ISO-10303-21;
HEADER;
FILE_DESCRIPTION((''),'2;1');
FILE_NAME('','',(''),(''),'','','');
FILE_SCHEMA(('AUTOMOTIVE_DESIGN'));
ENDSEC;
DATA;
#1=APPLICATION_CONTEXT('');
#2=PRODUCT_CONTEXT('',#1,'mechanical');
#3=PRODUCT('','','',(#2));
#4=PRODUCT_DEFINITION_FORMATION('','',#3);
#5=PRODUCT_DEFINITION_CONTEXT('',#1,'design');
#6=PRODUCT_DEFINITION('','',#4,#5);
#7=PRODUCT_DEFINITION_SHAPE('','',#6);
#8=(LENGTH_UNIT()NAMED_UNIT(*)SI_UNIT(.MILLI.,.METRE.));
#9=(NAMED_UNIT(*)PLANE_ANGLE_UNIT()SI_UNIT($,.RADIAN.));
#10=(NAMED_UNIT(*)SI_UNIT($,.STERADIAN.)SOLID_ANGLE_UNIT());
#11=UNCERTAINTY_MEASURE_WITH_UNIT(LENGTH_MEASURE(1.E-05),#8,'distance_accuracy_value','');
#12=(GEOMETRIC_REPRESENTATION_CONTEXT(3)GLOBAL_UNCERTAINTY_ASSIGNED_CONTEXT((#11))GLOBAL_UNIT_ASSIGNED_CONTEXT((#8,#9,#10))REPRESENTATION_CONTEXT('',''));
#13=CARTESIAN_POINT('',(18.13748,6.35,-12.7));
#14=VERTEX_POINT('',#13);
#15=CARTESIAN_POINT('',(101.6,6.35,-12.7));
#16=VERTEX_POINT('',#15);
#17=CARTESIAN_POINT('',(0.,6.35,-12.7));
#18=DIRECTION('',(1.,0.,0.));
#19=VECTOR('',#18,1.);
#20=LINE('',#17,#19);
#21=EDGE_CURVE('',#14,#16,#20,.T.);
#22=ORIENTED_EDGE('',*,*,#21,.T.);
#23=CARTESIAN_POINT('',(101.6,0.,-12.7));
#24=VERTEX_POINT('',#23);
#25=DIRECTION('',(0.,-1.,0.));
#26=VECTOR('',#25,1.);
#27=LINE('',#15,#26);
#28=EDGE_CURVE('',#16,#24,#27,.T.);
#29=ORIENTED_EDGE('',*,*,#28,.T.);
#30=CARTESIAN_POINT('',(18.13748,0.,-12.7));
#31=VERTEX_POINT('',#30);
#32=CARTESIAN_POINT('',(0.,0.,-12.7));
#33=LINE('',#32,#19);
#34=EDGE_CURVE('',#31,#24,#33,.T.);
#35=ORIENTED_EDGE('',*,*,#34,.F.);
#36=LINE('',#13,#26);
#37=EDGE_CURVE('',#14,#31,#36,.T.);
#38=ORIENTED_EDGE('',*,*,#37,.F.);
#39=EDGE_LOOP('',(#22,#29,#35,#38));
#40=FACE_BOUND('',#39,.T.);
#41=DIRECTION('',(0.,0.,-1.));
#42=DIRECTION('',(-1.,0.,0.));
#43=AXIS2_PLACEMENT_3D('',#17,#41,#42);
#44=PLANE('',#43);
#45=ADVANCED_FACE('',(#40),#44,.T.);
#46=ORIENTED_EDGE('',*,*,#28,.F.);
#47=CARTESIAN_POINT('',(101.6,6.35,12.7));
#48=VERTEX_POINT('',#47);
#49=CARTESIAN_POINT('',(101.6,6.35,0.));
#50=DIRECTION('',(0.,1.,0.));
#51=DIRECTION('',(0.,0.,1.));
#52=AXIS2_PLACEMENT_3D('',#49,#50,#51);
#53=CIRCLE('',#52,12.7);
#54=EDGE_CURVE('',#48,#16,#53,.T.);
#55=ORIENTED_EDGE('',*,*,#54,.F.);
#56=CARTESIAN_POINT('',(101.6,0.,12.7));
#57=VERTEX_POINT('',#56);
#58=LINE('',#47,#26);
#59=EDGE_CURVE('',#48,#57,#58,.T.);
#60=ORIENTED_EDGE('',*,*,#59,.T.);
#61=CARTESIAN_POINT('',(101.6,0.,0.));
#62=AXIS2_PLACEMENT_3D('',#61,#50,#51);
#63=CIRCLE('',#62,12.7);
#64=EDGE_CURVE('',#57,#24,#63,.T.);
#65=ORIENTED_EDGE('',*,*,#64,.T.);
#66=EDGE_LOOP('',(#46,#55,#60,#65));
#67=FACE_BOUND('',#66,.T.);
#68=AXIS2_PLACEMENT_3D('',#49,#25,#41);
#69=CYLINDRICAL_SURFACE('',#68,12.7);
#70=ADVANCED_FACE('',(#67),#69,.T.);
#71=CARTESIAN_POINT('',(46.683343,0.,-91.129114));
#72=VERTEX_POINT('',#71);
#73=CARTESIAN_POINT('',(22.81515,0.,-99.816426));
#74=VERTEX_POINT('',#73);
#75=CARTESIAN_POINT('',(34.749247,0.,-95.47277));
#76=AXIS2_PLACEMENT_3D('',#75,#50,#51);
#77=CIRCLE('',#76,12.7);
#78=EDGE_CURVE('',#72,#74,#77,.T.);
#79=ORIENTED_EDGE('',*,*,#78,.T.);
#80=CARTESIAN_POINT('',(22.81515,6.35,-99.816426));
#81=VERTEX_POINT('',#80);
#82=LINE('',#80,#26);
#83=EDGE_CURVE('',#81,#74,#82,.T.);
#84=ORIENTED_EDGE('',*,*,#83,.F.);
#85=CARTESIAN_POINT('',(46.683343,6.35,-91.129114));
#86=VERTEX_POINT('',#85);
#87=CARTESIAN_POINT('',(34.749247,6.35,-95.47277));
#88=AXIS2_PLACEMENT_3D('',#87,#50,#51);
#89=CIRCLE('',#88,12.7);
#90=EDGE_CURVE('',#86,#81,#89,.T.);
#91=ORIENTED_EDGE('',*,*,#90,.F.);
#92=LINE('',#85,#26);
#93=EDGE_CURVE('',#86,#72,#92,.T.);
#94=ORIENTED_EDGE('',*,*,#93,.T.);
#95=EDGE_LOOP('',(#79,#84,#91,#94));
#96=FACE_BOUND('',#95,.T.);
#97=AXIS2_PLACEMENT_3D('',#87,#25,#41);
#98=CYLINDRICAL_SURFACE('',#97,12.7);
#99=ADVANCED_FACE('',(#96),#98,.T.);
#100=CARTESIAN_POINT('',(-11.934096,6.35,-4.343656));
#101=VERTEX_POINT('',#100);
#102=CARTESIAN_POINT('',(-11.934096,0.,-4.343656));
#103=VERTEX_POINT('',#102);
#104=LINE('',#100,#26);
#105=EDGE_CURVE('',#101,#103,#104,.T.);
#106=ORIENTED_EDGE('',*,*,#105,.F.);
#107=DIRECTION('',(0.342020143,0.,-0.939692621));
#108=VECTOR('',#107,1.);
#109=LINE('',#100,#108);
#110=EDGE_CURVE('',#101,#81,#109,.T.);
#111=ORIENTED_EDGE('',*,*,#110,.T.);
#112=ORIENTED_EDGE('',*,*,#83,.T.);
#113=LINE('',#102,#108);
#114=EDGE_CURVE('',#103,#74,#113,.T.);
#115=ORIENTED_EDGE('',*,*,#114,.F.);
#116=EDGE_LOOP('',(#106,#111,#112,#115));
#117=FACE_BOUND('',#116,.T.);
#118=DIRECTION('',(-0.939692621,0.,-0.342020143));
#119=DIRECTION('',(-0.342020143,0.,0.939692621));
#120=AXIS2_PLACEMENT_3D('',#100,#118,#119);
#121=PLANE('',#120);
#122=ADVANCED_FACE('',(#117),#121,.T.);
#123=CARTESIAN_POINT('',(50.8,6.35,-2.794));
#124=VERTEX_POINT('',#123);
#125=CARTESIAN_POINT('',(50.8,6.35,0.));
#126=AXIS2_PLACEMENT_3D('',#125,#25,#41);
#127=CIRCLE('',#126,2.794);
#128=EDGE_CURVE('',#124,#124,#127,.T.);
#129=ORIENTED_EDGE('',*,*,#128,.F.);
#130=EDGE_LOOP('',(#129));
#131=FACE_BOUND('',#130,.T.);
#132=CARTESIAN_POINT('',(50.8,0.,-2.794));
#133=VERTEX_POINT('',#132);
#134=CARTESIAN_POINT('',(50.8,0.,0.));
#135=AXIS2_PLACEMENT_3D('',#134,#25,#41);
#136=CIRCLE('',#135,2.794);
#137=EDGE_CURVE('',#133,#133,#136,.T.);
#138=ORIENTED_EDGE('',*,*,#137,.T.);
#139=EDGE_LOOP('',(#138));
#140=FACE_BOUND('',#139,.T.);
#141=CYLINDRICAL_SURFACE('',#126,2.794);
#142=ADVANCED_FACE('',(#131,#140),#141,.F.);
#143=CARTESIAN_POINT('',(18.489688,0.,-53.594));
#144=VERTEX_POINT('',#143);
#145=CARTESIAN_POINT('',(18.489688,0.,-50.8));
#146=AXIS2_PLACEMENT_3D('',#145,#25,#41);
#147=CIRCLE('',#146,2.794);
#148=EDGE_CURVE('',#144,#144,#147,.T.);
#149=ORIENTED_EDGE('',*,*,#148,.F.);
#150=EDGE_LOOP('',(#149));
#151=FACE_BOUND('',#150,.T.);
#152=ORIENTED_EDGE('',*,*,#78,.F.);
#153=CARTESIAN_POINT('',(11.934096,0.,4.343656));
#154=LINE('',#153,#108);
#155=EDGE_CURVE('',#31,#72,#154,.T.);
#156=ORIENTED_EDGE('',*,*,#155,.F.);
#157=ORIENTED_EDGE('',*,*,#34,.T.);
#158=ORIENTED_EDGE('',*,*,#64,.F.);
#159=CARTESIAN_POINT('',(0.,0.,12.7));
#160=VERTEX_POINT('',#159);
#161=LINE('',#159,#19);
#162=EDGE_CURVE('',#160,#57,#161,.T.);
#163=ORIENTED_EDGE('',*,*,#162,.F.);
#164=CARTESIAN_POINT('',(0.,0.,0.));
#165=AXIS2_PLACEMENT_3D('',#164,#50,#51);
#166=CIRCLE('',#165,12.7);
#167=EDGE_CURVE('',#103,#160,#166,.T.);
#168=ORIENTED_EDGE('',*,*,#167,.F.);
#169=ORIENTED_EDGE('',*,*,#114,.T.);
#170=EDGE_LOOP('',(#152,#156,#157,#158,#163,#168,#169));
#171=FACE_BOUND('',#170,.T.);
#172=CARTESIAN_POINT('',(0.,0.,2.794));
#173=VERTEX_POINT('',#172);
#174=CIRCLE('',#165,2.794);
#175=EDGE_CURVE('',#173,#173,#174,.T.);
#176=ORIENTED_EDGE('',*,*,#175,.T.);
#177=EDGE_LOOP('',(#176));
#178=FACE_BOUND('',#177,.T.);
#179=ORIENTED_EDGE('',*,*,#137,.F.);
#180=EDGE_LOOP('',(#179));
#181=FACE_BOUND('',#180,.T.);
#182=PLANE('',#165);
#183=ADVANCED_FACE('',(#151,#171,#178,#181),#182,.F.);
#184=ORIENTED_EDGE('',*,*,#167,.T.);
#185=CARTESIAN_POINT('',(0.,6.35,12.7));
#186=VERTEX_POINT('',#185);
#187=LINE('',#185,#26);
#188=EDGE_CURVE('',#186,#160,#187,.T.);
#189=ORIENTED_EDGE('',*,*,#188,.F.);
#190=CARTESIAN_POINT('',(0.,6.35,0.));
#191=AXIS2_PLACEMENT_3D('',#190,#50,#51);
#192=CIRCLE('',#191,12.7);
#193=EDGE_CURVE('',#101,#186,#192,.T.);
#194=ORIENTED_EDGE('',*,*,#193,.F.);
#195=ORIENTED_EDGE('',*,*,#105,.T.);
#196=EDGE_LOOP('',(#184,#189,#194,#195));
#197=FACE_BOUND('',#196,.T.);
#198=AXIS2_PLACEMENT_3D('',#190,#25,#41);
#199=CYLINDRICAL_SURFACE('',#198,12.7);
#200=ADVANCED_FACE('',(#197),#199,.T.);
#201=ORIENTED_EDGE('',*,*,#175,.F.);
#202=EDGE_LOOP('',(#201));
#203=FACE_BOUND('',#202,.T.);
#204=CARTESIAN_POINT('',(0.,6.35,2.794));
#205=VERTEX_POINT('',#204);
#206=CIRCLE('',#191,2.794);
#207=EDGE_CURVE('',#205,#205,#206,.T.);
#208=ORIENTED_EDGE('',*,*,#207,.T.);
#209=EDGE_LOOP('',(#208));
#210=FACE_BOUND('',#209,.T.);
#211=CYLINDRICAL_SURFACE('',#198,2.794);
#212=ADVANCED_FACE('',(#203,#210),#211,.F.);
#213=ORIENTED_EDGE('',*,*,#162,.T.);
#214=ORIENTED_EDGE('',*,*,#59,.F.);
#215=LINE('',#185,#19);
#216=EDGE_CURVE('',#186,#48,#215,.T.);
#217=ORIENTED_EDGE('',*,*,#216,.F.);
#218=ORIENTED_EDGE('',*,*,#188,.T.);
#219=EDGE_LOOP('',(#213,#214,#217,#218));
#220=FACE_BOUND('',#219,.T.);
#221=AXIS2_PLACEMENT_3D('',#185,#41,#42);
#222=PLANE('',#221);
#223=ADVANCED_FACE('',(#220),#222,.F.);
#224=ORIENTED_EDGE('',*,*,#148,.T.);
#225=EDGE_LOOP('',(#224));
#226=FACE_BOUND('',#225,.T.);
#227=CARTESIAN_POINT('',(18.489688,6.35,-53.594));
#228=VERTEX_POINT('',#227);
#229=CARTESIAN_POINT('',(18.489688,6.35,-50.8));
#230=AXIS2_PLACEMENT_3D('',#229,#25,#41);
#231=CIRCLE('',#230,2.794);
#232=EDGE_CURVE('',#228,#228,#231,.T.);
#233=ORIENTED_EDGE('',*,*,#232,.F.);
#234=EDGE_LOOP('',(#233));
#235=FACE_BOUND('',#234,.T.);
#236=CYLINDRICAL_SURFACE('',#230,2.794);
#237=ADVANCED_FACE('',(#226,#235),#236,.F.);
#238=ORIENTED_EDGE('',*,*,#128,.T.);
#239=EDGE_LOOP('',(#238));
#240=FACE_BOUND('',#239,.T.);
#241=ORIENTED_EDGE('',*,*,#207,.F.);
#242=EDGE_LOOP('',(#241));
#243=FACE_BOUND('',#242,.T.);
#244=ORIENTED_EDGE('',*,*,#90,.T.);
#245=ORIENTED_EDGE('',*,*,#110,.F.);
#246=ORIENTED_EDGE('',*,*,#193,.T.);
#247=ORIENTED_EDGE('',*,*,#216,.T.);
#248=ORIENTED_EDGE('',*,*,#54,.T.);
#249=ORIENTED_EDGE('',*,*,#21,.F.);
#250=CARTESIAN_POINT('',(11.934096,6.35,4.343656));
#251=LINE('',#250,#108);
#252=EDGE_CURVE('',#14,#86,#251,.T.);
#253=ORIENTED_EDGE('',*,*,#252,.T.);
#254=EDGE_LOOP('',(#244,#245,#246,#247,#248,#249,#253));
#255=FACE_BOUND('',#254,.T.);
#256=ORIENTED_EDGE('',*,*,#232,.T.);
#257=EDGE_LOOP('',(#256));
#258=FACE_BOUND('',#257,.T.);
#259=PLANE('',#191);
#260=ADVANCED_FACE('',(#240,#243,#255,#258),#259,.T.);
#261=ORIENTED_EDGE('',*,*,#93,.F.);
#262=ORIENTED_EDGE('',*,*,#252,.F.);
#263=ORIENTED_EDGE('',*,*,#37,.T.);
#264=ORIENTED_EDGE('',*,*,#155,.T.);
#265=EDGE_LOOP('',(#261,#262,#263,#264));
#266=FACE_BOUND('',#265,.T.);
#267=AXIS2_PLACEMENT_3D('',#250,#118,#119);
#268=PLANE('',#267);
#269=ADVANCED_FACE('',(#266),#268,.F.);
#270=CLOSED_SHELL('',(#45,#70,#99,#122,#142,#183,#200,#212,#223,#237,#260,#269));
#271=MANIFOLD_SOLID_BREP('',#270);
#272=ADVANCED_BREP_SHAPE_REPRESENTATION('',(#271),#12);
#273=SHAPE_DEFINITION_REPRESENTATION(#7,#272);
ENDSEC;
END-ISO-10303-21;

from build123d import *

# Parameters (mm, degrees)
SKETCH5_R            = 2.794
BOSS_EXTRUDE21_DEPTH = 6.35
SKETCH6_R            = 2.794
CUT_EXTRUDE3_DEPTH   = 6.35


with BuildPart() as part:
    # Sketch5 → Boss-Extrude21 (new body)
    # profile 1 of 3: a face of its own
    with BuildSketch(Plane(origin=(0, 0, 0), x_dir=(1, 0, 0), z_dir=(0, 1, 0))):
        with BuildLine():
            Line((101.6, 12.7), (18.137479686, 12.7))
            Line((18.137479686, 12.7), (11.934096284, -4.34365582))
            ThreePointArc((11.934096284, -4.34365582), (7.284420742, -10.403230962), (0, -12.7))
            Line((0, -12.7), (101.6, -12.7))
            ThreePointArc((101.6, -12.7), (114.3, 0), (101.6, 12.7))
        make_face()
    # profile 2 of 3: a face of its own
    with BuildSketch(Plane(origin=(0, 0, 0), x_dir=(1, 0, 0), z_dir=(0, 1, 0))):
        with BuildLine():
            ThreePointArc((-11.934096284, 4.34365582), (-7.284420742, 10.403230962), (0, 12.7))
            Line((0, 12.7), (18.137479686, 12.7))
            Line((18.137479686, 12.7), (46.683342846, 91.129114452))
            ThreePointArc((46.683342846, 91.129114452), (39.092902382, 107.406866556), (22.815150278, 99.816426092))
            Line((22.815150278, 99.816426092), (-11.934096284, 4.34365582))
        make_face()
    # profile 3 of 3: a face of its own
    with BuildSketch(Plane(origin=(0, 0, 0), x_dir=(1, 0, 0), z_dir=(0, 1, 0))):
        with BuildLine():
            Line((18.137479686, 12.7), (0, 12.7))
            ThreePointArc((0, 12.7), (-7.284420742, 10.403230962), (-11.934096284, 4.34365582))
            ThreePointArc((-11.934096284, 4.34365582), (-10.403230962, -7.284420742), (0, -12.7))
            ThreePointArc((0, -12.7), (7.284420742, -10.403230962), (11.934096284, -4.34365582))
            Line((11.934096284, -4.34365582), (18.137479686, 12.7))
        make_face()
        with Locations(Location((0, 0, 0), (0, 0, 270))):
            Circle(SKETCH5_R, mode=Mode.SUBTRACT)
    extrude(amount=BOSS_EXTRUDE21_DEPTH)

    # Sketch6 → Cut-Extrude3 (cut)
    with BuildSketch(Plane(origin=(0, 0, 0), x_dir=(-1, 0, 0), z_dir=(0, -1, 0))):
        with Locations(Location((-50.8, 0, 0), (0, 0, 90))):
            Circle(SKETCH6_R)
        with Locations(Location((-18.489687901, 50.8, 0), (0, 0, 90))):
            Circle(SKETCH6_R)
    extrude(amount=-CUT_EXTRUDE3_DEPTH, mode=Mode.SUBTRACT)


solid = part.part
